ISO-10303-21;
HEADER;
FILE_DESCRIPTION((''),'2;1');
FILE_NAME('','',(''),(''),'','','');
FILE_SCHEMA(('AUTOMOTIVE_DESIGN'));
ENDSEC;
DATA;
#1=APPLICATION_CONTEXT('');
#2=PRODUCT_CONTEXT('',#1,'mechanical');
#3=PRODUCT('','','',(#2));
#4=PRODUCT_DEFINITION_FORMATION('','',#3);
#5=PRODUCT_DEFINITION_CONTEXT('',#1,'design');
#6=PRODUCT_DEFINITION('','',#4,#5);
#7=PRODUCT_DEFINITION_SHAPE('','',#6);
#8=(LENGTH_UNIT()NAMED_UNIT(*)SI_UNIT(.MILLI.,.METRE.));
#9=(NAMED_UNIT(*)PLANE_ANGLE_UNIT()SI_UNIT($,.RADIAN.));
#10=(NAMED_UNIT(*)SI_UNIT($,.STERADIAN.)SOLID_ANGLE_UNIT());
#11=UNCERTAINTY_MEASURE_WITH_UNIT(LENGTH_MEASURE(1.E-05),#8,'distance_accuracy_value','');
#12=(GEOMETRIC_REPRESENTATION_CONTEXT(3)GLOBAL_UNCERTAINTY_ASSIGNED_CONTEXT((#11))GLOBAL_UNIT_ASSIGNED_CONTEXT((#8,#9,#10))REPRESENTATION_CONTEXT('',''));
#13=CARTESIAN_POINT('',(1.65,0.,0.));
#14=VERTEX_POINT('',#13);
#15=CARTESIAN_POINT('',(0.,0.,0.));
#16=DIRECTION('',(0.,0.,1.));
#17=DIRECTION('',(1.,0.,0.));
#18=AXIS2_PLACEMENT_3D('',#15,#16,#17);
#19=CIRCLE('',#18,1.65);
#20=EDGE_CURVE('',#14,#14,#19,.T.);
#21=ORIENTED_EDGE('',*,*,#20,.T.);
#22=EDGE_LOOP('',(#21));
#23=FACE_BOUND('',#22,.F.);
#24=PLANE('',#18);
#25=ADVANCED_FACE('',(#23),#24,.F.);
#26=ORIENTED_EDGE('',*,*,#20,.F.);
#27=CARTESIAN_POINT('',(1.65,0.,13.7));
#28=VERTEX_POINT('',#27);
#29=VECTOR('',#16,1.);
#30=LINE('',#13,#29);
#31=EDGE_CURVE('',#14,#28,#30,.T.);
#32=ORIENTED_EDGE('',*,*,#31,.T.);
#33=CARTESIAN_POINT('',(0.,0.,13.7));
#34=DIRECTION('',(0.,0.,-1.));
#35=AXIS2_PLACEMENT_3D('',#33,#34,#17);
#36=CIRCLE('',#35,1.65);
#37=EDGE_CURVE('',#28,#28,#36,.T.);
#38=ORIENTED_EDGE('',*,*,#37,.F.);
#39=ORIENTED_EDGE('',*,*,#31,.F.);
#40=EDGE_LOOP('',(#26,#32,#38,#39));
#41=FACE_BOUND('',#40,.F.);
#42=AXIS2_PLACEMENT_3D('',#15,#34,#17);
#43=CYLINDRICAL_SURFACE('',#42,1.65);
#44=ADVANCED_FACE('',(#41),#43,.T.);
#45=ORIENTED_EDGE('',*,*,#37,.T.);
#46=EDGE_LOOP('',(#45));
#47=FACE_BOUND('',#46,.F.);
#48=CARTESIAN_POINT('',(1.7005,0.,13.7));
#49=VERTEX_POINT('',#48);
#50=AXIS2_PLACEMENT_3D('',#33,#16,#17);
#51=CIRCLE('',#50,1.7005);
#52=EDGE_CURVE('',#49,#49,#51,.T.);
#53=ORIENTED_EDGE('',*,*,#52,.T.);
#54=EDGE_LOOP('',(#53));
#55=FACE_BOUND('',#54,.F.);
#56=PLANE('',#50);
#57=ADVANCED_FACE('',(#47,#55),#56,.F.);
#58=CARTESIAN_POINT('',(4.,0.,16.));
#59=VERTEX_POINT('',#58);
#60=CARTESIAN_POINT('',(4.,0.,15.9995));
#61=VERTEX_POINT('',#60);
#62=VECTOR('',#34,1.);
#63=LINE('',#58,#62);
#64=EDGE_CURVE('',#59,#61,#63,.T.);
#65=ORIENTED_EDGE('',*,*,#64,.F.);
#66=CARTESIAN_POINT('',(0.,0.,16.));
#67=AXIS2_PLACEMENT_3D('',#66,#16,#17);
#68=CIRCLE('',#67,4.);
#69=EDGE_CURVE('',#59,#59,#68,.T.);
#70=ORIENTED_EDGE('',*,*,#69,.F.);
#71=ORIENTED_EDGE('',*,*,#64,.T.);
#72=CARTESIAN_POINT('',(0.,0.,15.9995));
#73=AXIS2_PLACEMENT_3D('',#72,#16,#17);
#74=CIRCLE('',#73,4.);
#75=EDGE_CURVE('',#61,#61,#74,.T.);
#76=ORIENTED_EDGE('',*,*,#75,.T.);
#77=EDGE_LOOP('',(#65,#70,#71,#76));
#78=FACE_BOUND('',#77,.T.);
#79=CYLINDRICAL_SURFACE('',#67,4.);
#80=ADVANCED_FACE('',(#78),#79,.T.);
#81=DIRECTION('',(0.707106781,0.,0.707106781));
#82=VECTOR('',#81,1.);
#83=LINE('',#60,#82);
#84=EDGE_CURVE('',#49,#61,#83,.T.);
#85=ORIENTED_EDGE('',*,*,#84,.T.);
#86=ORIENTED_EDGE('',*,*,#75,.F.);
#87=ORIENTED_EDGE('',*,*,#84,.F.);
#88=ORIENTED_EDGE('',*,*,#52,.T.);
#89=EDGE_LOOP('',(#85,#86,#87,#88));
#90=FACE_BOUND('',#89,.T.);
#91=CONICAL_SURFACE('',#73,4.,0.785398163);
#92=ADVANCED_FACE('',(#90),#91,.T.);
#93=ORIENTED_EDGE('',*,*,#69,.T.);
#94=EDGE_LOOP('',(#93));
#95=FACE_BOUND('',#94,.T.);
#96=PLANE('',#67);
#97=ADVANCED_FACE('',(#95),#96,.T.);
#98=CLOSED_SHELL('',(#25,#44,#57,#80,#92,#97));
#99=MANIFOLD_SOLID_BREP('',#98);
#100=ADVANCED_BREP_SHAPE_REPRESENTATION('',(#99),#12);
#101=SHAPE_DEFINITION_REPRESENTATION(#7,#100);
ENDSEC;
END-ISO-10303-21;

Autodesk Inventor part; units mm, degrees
ref_plane "YZ Plane" through (0, 0, 0) normal (1, 0, 0) x (0, 1, 0)
ref_plane "XZ Plane" through (0, 0, 0) normal (0, 1, 0) x (-1, 0, 0)
ref_plane "XY Plane" through (0, 0, 0) normal (0, 0, 1) x (1, 0, 0)
sketch "スケッチ1" plane through (0, 0, 0) normal (0, 0, 1) x (1, 0, 0)
  circle A0 centre (0, 0) radius 1.65
  dimension "d0" = 3.3
extrude "押し出し1" add sketch "スケッチ1" along normal blind 16
sketch "スケッチ2" plane through (0, 0, 16) normal (0, 0, 1) x (1, 0, 0)
  circle A0 centre (0, 0) radius 4
  dimension "d3" = 8
extrude "押し出し2" add sketch "スケッチ2" against normal blind 2.3
chamfer "面取り1" distance 2.3 angle 45 1 edges at (-4, 0, 13.7)
thread "ねじ1" size "M3.5x0.6" class "6g" standard "ANSI Metric M Profile" full length
properties part number "ネジ皿m4,16" material "鋼、高強度、低合金"
